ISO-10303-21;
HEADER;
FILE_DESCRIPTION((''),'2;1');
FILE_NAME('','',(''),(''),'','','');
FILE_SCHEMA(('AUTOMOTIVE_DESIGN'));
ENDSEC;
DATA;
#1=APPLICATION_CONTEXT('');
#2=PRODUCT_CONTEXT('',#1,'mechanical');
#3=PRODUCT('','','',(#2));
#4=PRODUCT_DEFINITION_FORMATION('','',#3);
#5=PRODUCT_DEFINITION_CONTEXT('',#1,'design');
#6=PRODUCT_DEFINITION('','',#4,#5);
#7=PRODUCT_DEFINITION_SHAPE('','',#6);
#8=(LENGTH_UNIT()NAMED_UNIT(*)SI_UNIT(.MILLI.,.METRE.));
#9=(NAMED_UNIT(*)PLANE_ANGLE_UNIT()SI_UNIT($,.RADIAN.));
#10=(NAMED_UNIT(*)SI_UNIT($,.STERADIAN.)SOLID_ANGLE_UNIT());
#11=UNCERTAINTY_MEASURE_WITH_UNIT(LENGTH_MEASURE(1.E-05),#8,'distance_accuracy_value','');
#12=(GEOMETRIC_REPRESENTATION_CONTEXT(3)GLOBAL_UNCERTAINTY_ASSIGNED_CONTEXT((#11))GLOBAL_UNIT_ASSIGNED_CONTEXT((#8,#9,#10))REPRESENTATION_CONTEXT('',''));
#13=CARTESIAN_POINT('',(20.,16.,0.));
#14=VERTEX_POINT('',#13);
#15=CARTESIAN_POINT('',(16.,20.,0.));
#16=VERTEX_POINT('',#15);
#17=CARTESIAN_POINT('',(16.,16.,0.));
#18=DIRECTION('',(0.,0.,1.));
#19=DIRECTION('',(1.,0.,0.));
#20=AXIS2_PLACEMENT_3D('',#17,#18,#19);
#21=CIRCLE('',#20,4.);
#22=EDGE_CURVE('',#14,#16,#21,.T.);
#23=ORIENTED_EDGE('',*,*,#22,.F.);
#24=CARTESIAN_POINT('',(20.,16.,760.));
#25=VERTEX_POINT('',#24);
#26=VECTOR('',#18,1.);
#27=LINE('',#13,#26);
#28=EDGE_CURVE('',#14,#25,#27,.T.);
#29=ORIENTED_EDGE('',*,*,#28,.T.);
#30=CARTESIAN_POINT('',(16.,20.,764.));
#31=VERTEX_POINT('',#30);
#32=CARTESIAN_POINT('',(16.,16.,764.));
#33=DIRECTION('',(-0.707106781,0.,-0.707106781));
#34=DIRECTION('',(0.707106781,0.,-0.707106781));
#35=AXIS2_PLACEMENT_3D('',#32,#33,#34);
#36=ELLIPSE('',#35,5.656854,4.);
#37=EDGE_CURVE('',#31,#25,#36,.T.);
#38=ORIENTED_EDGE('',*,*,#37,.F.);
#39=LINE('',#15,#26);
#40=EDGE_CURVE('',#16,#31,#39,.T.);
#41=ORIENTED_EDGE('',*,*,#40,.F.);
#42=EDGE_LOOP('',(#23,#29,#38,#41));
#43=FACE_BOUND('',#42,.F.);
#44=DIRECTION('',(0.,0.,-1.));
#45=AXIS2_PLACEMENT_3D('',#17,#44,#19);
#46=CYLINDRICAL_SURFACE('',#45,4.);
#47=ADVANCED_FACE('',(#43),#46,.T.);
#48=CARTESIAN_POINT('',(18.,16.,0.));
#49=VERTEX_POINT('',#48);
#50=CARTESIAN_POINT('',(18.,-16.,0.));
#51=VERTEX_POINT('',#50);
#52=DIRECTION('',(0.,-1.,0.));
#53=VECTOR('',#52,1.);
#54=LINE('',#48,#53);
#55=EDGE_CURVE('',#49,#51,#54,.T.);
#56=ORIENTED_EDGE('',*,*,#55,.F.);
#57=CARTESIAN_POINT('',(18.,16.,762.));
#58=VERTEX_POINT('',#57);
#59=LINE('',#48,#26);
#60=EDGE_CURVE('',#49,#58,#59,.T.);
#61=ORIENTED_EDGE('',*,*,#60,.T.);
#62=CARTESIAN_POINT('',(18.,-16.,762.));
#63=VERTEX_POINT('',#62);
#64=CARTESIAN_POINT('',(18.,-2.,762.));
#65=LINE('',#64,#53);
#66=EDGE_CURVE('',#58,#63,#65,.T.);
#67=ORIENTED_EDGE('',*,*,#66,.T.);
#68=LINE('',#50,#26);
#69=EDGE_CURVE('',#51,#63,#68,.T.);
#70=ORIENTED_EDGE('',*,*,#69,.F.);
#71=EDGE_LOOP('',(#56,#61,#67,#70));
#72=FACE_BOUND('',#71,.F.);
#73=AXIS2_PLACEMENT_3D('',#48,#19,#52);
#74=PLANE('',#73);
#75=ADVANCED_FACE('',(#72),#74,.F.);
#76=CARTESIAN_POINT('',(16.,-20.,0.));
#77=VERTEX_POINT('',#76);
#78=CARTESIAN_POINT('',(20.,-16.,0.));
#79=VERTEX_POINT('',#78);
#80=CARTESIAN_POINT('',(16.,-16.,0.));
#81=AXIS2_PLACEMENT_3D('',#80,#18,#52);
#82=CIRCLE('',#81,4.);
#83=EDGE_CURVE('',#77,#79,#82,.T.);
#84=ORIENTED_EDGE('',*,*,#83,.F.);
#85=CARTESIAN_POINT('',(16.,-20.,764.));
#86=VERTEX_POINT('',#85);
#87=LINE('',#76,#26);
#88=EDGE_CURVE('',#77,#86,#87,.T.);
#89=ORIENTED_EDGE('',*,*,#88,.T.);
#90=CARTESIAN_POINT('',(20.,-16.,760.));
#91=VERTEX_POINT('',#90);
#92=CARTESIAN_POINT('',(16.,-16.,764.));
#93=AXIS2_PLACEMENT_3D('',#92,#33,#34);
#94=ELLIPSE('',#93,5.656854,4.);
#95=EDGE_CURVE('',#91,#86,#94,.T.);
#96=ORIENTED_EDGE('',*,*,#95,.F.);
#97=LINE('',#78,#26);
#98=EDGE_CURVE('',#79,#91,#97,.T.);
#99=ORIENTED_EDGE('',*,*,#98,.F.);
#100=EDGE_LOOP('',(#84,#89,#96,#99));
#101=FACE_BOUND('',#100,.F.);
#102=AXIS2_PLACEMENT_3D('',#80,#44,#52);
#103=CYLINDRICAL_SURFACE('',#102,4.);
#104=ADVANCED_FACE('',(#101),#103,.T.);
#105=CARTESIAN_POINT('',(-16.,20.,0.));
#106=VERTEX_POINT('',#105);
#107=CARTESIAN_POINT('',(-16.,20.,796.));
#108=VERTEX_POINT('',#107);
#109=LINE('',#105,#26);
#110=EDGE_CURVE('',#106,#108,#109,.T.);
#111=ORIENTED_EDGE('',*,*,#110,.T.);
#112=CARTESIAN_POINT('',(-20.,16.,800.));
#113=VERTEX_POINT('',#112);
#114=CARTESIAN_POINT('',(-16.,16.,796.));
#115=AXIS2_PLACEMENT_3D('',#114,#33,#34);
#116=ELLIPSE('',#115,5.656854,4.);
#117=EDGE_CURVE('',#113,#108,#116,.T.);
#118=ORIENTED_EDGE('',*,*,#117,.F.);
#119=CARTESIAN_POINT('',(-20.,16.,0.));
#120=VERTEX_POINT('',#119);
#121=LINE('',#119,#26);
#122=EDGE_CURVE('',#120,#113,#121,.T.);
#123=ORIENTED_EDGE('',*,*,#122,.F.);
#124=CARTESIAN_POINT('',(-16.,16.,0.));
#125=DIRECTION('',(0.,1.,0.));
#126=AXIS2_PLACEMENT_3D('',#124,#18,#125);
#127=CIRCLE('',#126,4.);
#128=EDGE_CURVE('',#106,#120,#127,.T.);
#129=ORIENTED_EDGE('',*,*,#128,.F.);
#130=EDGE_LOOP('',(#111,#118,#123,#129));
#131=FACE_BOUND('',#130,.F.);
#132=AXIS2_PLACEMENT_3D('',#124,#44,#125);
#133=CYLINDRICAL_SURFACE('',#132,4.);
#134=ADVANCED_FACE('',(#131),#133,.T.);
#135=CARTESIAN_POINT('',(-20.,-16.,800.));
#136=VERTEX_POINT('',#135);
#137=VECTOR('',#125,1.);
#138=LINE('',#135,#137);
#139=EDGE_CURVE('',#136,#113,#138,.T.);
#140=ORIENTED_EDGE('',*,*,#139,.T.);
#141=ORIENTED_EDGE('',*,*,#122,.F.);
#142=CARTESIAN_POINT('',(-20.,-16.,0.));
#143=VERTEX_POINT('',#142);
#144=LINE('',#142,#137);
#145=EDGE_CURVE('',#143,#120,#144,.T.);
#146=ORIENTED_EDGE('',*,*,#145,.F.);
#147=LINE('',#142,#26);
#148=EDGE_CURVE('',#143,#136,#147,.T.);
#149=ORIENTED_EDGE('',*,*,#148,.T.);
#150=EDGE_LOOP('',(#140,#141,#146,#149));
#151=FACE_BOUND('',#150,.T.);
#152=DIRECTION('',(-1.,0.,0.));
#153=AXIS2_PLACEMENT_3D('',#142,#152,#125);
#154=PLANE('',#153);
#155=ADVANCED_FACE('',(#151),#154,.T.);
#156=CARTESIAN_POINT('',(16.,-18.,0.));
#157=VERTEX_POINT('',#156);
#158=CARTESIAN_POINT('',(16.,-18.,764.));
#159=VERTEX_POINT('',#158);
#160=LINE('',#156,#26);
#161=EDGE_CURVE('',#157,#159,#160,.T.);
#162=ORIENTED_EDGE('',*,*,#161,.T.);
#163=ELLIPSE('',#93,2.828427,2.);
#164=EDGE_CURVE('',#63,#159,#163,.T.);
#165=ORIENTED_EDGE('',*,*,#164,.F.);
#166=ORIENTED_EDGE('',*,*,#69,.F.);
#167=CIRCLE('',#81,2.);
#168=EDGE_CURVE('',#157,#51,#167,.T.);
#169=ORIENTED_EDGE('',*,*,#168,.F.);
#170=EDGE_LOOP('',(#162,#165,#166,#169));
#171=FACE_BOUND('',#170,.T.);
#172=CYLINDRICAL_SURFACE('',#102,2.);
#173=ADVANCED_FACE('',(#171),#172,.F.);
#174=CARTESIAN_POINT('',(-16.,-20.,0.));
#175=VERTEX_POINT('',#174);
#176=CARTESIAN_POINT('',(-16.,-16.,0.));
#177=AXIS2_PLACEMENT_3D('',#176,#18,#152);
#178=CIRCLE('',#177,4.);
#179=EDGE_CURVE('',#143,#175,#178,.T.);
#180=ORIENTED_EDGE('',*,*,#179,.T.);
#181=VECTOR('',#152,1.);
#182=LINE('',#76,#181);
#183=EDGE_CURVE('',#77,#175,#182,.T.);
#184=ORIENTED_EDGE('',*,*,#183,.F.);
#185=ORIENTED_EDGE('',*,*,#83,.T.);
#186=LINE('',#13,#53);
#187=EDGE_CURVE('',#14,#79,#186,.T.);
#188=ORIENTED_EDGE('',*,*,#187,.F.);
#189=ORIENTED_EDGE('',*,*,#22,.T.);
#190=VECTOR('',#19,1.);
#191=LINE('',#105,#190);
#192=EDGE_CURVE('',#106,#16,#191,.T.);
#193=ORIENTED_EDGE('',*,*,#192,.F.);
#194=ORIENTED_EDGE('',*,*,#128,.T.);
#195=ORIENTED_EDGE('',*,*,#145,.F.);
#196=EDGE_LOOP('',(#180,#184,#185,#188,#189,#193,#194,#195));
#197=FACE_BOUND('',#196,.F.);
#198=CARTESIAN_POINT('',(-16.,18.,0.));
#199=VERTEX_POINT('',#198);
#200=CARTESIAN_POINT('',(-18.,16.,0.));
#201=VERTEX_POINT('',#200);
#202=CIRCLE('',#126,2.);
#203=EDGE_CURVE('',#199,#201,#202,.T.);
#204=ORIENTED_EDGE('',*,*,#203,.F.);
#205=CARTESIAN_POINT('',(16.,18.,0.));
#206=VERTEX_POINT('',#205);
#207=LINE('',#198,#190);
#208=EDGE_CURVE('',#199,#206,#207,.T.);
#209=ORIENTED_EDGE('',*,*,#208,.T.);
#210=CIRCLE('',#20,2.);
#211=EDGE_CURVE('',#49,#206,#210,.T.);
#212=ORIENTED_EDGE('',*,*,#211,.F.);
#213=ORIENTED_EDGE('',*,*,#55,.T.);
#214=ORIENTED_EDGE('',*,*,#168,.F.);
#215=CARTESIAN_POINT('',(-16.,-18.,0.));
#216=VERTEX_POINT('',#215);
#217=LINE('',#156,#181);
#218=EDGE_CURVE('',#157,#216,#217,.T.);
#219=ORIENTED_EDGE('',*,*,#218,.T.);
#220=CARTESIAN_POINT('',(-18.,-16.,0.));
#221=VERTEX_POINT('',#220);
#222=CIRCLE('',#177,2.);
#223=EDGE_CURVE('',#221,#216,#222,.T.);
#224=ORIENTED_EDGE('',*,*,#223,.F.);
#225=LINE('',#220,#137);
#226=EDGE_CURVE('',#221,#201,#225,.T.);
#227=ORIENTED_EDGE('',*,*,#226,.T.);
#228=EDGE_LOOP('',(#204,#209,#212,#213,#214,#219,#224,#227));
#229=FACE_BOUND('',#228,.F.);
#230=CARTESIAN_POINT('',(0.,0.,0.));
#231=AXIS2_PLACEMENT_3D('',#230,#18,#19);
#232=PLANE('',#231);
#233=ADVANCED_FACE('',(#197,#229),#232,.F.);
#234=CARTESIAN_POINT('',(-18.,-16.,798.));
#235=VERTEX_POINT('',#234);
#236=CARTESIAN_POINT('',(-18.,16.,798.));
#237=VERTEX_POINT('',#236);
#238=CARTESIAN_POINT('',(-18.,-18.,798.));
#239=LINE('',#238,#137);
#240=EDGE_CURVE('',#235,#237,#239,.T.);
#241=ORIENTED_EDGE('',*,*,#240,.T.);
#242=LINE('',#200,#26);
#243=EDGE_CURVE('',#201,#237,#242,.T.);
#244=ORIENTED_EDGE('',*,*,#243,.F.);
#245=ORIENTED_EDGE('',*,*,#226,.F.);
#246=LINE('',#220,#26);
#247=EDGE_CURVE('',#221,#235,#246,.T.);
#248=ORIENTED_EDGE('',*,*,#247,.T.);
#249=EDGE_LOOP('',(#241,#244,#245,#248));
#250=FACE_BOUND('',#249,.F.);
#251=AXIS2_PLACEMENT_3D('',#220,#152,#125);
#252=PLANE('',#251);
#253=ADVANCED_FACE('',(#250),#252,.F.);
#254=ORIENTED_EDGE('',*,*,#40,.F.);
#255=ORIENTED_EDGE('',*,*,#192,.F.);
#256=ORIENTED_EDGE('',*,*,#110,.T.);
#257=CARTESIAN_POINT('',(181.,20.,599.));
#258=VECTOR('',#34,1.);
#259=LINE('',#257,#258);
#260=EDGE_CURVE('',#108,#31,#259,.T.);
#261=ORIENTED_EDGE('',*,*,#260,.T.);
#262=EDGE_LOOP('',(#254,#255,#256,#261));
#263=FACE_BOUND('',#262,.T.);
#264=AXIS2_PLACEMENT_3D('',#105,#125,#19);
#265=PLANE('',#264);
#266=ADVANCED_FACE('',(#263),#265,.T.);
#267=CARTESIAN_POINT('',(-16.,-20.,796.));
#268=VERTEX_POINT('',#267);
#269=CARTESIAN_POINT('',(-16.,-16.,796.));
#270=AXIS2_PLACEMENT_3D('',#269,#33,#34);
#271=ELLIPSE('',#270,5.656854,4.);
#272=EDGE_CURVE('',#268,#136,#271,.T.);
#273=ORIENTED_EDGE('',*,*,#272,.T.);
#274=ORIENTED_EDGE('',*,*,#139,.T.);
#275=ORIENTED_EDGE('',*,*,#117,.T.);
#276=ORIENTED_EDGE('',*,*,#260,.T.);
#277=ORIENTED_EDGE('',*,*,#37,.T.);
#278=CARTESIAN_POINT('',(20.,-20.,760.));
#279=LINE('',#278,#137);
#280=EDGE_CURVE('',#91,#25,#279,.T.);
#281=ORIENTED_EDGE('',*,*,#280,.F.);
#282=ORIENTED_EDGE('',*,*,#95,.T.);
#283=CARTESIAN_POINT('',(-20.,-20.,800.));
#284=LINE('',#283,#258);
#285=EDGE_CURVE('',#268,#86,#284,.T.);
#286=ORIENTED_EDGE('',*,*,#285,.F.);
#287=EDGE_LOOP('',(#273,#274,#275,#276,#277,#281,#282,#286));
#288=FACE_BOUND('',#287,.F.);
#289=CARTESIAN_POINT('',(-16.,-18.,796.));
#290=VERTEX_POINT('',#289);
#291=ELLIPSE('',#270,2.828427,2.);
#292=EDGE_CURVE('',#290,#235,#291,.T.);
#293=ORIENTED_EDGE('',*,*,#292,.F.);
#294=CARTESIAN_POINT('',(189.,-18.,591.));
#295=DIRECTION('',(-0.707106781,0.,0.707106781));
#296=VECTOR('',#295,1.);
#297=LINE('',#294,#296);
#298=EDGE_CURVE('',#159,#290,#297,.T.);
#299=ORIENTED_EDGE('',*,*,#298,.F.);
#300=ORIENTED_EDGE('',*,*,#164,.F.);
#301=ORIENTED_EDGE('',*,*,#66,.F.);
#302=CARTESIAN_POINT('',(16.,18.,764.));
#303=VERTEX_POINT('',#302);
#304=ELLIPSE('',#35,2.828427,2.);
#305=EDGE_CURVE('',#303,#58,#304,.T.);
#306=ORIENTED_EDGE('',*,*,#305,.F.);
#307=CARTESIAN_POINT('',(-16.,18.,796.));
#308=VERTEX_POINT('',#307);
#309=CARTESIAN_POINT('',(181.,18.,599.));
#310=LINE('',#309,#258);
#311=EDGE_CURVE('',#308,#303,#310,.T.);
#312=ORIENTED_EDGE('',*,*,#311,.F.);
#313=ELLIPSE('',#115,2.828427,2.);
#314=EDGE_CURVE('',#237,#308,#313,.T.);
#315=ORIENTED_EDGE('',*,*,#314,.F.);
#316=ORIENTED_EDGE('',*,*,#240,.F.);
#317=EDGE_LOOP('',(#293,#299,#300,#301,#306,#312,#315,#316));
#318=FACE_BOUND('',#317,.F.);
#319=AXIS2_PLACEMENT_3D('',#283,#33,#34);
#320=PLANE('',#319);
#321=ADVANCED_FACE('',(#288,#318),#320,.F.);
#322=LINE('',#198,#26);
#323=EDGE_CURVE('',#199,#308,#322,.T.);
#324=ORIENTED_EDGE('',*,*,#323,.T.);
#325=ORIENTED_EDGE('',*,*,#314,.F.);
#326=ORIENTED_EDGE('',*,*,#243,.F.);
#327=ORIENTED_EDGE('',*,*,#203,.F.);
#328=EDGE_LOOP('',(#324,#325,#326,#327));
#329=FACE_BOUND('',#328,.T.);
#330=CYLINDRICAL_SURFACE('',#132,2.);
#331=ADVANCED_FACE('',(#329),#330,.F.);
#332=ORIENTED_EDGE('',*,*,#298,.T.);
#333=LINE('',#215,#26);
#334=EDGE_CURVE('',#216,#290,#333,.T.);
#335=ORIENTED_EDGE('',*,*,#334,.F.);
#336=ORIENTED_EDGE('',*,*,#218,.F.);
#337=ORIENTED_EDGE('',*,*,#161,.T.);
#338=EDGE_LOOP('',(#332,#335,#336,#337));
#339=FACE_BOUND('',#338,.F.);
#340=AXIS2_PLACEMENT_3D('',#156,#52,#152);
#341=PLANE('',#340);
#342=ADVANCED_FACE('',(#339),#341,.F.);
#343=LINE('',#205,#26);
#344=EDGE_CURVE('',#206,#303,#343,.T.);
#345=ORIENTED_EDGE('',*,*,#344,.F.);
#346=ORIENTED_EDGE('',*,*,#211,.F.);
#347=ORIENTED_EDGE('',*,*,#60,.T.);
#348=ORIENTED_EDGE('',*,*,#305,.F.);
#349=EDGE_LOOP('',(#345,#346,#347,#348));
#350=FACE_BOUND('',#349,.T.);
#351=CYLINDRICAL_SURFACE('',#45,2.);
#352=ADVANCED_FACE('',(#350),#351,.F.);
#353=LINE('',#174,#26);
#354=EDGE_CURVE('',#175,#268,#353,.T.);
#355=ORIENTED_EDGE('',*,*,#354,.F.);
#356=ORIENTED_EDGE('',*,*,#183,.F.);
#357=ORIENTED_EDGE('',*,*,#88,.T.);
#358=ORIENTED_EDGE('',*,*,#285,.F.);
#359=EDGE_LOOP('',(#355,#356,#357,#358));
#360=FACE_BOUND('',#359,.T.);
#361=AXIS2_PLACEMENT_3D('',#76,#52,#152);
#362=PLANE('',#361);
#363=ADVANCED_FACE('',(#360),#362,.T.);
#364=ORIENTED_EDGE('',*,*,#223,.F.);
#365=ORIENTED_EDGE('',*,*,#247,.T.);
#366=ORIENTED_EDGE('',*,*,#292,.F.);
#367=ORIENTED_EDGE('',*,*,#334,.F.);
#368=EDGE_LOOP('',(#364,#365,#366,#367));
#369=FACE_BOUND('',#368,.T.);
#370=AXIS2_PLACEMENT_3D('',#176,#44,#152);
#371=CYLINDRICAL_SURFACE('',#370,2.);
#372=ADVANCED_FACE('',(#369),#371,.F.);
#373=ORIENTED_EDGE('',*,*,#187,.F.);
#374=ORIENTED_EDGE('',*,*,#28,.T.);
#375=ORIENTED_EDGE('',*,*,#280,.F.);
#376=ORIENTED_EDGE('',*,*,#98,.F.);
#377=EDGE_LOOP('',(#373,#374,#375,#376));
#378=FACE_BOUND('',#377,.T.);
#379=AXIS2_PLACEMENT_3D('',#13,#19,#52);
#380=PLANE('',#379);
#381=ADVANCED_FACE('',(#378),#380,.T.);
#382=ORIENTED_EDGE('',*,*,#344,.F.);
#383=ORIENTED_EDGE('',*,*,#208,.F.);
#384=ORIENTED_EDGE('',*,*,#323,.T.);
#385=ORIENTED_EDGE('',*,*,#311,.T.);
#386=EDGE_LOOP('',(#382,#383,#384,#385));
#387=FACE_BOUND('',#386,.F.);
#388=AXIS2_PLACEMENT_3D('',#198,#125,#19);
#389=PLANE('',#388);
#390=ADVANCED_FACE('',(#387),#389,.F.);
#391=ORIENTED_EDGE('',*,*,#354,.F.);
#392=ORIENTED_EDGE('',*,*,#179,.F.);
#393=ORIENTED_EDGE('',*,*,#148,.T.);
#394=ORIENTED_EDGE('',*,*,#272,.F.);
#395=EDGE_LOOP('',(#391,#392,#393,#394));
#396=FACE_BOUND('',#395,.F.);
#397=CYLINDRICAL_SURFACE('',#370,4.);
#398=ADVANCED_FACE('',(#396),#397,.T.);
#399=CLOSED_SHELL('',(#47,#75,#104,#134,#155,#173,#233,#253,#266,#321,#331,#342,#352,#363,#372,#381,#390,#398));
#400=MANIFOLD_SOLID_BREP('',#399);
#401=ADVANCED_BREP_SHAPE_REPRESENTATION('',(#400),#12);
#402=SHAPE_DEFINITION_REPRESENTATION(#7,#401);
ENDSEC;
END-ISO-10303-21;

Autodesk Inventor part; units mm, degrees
ref_plane "YZ Plane" through (0, 0, 0) normal (1, 0, 0) x (0, 1, 0)
ref_plane "Piano iniziale" through (0, 0, 0) normal (0, 0, 1) x (1, 0, 0)
ref_plane "Piano finale" through (0, 0, 800) normal (0, 0, 1) x (1, 0, 0)
sketch "Schizzo" plane through (0, 0, 0) normal (0, 0, 1) x (1, 0, 0)
  line L0 (-20, -16) -> (-20, 16)
  line L1 (-16, 20) -> (16, 20)
  line L2 (20, 16) -> (20, -16)
  line L3 (16, -20) -> (-16, -20)
  arc A0 (-20, -16) -> (-16, -20) centre (-16, -16) ccw
  arc A1 (20, 16) -> (16, 20) centre (16, 16) ccw
  arc A2 (-16, 20) -> (-20, 16) centre (-16, 16) ccw
  arc A3 (16, -20) -> (20, -16) centre (16, -16) ccw
  arc A4 (-16, 18) -> (-18, 16) centre (-16, 16) ccw
  line L4 (-16, 18) -> (16, 18)
  arc A5 (18, 16) -> (16, 18) centre (16, 16) ccw
  line L5 (18, 16) -> (18, -16)
  arc A6 (16, -18) -> (18, -16) centre (16, -16) ccw
  line L6 (16, -18) -> (-16, -18)
  arc A7 (-18, -16) -> (-16, -18) centre (-16, -16) ccw
  line L7 (-18, -16) -> (-18, 16)
  line L8 (0, 29.1598) -> (0, -29.1598) construction
  line L9 (-29.1598, 0) -> (29.1598, 0) construction
  dimension "d7" = 4
  dimension "d9" = 40
  dimension "d11" = 40
  dimension "d12" = 2
  dimension "d15" = 20
  dimension "d16" = 20
extrude "Corpo" add sketch "Schizzo" along normal up to surface (800 mm away) from surface at 0
sketch "Sketch3" plane through (0, 0, 0) normal (0, 0, 1) x (1, 0, 0)
  line L0 (0, 0) -> (10, 0)
ref_plane "Work Plane3" through (0, 0, 0) normal (0, -1, 0) x (1, 0, 0)
sketch "Sketch4" plane through (0, 0, 0) normal (0, -1, 0) x (1, 0, 0)
  line L0 (-2, 0) -> (12, 0)
  line L1 (-2, 800) -> (12, 800)
  dimension "d18" = 800
sketch "Schizzo5" plane through (-16, -20, 0) normal (0, -1, 0) x (1, 0, 0)
  line L0 (-4, 0) -> (-4, 800) projected
  line L1 (-4, 800) -> (0, 800) projected
  line L2 (-4, 800) -> (40.4052, 755.5948)
  line L3 (-4, 800) -> (58.7984, 800) construction
  line L4 (40.4052, 755.5948) -> (40.4052, 812.363)
  line L5 (36, 0) -> (36, 800) projected
  line L6 (40.4052, 812.363) -> (-4, 800)
  point P0 (16, 0)
  dimension "d19" = 45
extrude "Estrusione2" cut sketch "Schizzo5" against normal up to next
equation "\"d7\" = G_IR"
equation "\"d9\" = G_W"
equation "\"d11\" = G_H"
equation "\"d12\" = G_T"
equation "\"d15\" = 0.5 * d9"
equation "\"d16\" = 0.5 * d11"
equation "\"d3\" = G_L"
equation "\"G_W\" = 40"
equation "\"G_H\" = 40"
equation "\"G_T\" = 2"
equation "\"G_IR\" = 4"
equation "\"G_L\" = d18"
equation "\"G_OFFSET_START\" = 0"
equation "\"G_OFFSET_END\" = 0"
properties part number "ISO 10799-2 - 40x40x2 - 800" material "Acciaio, Dolce"
